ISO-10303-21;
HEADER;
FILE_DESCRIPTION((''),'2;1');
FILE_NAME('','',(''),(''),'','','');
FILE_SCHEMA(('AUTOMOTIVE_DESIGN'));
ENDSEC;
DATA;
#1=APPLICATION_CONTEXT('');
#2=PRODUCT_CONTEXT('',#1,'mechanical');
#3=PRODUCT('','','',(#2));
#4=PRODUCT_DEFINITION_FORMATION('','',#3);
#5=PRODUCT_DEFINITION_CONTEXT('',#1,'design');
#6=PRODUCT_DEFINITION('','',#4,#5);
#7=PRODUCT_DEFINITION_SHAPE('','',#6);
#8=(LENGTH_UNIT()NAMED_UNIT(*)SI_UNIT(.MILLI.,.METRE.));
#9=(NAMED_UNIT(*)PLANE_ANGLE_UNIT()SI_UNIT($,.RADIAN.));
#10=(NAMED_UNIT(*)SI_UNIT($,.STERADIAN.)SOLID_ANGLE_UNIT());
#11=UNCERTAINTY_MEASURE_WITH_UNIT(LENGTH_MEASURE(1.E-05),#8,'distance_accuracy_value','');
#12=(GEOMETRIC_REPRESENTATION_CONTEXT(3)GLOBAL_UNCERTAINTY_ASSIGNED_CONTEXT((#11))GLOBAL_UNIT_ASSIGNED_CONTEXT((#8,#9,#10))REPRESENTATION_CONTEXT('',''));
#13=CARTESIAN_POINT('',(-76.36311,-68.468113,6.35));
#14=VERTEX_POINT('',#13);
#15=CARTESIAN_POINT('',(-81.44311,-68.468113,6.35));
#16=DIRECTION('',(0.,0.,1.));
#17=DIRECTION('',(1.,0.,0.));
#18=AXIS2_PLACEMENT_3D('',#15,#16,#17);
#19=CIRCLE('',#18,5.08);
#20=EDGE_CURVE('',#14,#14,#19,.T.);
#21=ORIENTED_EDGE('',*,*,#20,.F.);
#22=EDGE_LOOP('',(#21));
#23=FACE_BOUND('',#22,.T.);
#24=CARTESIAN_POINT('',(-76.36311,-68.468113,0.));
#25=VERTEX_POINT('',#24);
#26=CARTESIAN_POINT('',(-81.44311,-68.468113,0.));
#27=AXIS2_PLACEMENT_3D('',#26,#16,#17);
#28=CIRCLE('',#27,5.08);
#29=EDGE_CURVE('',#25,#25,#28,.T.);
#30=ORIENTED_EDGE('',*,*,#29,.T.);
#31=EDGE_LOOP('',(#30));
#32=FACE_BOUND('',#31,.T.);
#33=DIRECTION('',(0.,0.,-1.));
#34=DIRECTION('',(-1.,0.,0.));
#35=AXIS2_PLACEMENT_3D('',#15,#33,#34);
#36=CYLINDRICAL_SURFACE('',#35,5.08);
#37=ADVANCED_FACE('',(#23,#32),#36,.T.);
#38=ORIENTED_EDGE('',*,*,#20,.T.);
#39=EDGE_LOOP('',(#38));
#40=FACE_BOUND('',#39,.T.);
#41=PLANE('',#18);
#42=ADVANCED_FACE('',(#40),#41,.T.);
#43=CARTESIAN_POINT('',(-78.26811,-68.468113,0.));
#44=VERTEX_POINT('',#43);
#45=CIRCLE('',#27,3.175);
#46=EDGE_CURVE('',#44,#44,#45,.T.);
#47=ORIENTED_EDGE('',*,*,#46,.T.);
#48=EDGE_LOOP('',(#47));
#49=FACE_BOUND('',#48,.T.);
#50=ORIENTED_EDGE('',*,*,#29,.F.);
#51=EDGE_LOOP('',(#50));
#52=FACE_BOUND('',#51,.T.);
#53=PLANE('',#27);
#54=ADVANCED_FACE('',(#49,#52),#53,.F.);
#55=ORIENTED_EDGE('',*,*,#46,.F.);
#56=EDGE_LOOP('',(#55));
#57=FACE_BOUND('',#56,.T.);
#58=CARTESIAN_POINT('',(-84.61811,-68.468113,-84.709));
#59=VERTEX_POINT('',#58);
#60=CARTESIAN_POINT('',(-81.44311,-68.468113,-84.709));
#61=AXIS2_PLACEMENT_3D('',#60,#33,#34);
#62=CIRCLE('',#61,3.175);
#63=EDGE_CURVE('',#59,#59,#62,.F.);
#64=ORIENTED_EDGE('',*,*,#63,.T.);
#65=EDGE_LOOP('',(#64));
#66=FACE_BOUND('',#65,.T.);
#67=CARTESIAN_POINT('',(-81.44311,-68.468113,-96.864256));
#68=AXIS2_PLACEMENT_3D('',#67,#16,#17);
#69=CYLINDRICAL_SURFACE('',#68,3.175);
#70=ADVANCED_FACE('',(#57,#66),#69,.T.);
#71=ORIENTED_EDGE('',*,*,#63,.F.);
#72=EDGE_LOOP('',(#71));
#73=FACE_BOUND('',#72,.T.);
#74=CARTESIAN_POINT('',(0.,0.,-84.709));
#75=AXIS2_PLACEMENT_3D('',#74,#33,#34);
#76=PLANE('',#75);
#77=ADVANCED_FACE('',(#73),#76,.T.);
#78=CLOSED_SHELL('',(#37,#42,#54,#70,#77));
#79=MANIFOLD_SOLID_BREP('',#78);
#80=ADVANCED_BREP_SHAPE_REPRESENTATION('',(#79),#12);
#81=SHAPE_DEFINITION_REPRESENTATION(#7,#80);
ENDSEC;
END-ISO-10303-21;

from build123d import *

# Parameters (mm, degrees)
SKETCH1_R      = 3.175
EXTRUDE1_DEPTH = 84.709
SKETCH2_R      = 5.08
EXTRUDE2_DEPTH = 6.35


with BuildPart() as part:
    # Sketch1 → Extrude1 (new body)
    with BuildSketch(Plane.XY):
        with Locations((-81.443110483, -68.468113052)):
            Circle(SKETCH1_R)
    extrude(amount=-EXTRUDE1_DEPTH)

    # Sketch2 → Extrude2 (add)
    with BuildSketch(Plane.XY):
        with Locations((-81.443110483, -68.468113052)):
            Circle(SKETCH2_R)
    extrude(amount=EXTRUDE2_DEPTH)


solid = part.part
